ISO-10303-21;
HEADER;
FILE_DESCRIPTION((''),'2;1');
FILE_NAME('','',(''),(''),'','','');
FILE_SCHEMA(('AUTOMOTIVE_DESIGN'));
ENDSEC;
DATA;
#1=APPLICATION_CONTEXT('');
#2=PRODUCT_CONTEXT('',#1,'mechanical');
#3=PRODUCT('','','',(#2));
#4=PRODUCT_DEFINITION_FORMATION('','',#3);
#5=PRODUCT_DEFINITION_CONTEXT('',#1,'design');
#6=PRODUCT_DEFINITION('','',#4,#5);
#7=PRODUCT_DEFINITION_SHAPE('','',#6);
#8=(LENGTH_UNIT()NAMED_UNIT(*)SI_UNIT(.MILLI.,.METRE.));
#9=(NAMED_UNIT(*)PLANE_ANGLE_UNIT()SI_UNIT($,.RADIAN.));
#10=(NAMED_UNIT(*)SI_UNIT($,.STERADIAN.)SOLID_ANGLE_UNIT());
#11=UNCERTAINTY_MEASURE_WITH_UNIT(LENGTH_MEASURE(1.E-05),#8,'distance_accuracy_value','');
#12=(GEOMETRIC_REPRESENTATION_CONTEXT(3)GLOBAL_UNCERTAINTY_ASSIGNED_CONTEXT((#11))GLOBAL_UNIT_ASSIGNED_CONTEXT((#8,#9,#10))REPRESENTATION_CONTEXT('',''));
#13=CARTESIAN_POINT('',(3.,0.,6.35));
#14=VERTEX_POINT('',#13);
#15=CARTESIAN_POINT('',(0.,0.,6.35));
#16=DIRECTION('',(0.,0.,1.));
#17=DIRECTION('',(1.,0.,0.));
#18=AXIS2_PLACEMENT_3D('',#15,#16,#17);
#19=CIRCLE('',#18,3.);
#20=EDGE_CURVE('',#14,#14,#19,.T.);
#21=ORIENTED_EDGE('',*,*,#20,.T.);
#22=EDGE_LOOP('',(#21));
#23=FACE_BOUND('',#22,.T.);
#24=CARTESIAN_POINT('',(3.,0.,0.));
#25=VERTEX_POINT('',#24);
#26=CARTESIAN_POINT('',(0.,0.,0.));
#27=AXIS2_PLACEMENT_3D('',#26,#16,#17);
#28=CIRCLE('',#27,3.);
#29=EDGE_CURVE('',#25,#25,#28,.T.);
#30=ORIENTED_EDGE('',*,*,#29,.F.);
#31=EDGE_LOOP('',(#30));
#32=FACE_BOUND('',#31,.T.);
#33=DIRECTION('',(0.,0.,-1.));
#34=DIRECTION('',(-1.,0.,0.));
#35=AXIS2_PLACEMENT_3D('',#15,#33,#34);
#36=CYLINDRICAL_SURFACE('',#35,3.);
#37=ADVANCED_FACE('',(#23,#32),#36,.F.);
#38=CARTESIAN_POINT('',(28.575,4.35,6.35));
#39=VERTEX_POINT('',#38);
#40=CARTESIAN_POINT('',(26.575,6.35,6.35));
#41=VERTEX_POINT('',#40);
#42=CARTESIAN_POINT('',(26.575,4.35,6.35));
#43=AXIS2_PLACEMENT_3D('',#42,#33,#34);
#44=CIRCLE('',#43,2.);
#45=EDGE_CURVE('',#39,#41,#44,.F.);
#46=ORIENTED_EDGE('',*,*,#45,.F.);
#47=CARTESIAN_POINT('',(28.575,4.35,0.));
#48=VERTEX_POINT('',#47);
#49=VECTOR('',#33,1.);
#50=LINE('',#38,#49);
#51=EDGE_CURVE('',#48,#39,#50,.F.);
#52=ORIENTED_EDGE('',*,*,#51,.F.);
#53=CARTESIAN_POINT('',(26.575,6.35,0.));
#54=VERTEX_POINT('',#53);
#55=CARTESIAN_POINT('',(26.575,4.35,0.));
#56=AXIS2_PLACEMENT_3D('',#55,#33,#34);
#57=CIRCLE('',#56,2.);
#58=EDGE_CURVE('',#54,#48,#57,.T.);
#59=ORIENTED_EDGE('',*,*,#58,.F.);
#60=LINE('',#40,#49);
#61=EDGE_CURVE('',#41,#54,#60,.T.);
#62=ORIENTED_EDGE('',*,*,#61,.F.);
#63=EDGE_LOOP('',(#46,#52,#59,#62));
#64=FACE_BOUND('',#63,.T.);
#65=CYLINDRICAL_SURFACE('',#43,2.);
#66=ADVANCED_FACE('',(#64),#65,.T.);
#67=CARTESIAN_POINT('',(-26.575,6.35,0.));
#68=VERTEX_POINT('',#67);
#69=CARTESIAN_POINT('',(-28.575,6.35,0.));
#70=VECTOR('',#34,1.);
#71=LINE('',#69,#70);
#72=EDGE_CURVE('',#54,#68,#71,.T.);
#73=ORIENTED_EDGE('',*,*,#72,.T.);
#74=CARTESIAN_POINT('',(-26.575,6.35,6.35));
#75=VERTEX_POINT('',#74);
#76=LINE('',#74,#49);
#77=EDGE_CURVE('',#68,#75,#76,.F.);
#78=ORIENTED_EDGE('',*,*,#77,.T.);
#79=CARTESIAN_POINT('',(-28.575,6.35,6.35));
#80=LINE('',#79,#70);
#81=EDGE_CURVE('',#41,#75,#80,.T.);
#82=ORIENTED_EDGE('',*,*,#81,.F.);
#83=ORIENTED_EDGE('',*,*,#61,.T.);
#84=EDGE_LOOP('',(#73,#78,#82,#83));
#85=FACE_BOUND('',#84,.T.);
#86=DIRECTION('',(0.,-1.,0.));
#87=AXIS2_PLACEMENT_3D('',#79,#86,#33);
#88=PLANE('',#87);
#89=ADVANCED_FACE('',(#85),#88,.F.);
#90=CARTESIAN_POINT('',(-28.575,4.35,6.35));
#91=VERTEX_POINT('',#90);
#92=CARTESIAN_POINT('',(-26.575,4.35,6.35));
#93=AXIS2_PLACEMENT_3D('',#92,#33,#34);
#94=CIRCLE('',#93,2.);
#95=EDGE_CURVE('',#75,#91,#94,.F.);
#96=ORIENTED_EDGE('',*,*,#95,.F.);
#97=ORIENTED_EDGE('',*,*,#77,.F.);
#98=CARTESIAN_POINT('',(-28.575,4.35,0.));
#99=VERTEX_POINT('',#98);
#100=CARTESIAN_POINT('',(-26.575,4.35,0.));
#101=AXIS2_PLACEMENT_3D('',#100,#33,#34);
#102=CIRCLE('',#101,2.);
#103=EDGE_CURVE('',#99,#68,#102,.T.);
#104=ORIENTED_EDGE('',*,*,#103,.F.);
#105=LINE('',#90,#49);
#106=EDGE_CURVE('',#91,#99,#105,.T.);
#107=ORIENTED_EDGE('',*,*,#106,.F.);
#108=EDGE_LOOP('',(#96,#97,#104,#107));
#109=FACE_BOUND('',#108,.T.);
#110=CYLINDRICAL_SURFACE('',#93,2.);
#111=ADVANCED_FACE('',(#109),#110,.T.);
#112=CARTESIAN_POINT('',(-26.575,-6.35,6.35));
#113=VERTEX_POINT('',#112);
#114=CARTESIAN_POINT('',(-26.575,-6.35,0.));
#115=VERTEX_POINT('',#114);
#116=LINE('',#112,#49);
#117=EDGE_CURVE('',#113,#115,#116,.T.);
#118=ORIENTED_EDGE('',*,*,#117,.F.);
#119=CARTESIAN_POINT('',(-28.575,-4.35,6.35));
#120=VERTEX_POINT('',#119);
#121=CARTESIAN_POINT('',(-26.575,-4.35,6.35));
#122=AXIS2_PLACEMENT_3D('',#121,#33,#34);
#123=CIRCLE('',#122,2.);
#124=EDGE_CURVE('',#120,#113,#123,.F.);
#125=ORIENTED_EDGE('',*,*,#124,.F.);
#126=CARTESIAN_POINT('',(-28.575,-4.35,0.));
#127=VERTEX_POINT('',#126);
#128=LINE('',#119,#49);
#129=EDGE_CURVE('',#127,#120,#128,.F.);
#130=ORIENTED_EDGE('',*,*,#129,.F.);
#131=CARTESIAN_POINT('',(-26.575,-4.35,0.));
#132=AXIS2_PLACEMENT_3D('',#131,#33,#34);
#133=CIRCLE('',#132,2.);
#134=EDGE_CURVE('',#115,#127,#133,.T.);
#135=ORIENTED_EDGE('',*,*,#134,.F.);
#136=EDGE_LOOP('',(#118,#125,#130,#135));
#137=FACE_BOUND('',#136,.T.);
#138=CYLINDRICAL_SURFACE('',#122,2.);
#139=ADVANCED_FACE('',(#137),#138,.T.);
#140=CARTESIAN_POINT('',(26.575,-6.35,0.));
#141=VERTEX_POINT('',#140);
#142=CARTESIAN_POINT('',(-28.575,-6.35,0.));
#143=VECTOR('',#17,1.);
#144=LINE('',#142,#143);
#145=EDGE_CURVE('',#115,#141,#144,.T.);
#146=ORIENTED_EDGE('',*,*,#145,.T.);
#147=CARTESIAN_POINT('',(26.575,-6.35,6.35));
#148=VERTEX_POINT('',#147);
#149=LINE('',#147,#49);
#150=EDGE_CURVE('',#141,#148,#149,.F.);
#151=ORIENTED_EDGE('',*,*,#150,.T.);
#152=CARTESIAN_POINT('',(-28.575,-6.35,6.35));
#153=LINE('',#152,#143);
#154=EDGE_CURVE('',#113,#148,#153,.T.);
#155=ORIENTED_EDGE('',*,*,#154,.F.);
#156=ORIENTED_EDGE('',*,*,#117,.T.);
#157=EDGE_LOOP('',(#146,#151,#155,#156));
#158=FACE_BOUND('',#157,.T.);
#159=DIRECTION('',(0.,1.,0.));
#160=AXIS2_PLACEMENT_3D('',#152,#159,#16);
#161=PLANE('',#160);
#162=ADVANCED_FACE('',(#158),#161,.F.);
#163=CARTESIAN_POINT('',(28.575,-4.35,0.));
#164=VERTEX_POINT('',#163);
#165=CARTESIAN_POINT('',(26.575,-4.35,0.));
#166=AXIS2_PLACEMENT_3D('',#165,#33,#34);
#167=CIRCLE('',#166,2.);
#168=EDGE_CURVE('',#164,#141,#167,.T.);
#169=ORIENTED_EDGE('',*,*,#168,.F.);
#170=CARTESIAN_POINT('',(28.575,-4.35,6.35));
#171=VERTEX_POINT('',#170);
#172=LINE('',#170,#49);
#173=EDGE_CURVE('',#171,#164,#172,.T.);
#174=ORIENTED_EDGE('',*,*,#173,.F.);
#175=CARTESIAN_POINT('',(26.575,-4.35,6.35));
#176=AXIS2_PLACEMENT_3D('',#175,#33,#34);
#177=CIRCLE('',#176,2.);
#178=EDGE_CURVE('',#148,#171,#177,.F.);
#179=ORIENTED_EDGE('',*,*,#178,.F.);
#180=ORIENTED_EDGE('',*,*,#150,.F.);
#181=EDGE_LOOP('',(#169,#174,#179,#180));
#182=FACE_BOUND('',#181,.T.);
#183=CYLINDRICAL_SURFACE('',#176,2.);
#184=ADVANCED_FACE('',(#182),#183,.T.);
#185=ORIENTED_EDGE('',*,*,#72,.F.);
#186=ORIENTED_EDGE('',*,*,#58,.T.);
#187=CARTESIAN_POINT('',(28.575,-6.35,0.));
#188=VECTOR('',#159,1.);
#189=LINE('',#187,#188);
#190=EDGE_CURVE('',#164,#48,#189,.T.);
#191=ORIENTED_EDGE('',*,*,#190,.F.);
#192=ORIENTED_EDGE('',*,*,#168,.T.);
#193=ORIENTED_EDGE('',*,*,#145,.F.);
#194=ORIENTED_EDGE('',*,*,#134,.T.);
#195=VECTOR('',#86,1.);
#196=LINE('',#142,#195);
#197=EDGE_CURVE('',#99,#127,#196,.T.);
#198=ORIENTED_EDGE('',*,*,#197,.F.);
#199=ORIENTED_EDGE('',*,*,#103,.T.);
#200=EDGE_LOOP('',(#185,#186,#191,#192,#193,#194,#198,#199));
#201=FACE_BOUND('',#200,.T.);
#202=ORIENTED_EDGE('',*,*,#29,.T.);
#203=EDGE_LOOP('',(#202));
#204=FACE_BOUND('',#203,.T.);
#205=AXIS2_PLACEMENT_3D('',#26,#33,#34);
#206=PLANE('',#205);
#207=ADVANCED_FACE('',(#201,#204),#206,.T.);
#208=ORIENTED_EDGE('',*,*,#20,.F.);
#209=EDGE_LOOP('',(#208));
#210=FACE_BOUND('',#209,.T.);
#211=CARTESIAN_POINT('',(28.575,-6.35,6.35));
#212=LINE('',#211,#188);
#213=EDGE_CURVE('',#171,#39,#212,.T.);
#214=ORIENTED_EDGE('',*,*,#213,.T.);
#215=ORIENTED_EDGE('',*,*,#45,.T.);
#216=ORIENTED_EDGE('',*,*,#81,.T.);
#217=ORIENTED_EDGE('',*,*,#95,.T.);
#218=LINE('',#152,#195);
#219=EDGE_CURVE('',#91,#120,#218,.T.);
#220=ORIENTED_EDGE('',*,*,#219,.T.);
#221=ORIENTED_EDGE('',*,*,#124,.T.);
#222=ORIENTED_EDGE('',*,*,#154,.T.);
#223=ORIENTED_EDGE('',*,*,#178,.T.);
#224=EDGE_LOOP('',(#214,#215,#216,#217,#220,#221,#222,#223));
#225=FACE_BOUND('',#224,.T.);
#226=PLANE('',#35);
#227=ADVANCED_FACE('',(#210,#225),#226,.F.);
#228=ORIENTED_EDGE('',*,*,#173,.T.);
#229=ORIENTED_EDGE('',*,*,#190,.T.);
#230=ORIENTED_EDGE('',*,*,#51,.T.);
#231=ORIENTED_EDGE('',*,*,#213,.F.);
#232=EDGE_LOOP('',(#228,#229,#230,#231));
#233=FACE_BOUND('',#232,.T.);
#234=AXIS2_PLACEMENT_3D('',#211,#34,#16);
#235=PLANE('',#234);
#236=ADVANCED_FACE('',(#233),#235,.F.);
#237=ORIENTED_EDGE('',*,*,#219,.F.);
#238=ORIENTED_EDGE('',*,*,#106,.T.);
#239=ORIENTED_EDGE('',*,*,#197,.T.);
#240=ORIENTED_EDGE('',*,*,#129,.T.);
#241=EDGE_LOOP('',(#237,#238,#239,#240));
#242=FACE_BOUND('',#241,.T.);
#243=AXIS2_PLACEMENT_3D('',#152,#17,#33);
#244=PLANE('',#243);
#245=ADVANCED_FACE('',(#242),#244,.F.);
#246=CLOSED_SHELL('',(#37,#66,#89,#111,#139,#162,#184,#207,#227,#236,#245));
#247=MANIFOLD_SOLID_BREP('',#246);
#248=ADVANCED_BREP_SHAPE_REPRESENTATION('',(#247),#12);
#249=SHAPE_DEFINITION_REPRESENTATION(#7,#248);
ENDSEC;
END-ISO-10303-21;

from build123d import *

# Parameters (mm, degrees)
SKETCH1_W           = 57.15
SKETCH1_H           = 12.7
SKETCH1_R           = 3
BOSS_EXTRUDE1_DEPTH = 6.35
FILLET1_R           = 2


with BuildPart() as part:
    # Sketch1 → Boss-Extrude1 (new body)
    with BuildSketch(Plane.XY):
        Rectangle(SKETCH1_W, SKETCH1_H)
        Circle(SKETCH1_R, mode=Mode.SUBTRACT)
    extrude(amount=BOSS_EXTRUDE1_DEPTH)

    # Fillet1
    fillet1_edges = [part.edges().sort_by_distance(p)[0] for p in [
        (28.575, -6.35, 3.175),
        (-28.575, -6.35, 3.175),
        (-28.575, 6.35, 3.175),
        (28.575, 6.35, 3.175),
    ]]
    fillet(fillet1_edges, radius=FILLET1_R)


solid = part.part
